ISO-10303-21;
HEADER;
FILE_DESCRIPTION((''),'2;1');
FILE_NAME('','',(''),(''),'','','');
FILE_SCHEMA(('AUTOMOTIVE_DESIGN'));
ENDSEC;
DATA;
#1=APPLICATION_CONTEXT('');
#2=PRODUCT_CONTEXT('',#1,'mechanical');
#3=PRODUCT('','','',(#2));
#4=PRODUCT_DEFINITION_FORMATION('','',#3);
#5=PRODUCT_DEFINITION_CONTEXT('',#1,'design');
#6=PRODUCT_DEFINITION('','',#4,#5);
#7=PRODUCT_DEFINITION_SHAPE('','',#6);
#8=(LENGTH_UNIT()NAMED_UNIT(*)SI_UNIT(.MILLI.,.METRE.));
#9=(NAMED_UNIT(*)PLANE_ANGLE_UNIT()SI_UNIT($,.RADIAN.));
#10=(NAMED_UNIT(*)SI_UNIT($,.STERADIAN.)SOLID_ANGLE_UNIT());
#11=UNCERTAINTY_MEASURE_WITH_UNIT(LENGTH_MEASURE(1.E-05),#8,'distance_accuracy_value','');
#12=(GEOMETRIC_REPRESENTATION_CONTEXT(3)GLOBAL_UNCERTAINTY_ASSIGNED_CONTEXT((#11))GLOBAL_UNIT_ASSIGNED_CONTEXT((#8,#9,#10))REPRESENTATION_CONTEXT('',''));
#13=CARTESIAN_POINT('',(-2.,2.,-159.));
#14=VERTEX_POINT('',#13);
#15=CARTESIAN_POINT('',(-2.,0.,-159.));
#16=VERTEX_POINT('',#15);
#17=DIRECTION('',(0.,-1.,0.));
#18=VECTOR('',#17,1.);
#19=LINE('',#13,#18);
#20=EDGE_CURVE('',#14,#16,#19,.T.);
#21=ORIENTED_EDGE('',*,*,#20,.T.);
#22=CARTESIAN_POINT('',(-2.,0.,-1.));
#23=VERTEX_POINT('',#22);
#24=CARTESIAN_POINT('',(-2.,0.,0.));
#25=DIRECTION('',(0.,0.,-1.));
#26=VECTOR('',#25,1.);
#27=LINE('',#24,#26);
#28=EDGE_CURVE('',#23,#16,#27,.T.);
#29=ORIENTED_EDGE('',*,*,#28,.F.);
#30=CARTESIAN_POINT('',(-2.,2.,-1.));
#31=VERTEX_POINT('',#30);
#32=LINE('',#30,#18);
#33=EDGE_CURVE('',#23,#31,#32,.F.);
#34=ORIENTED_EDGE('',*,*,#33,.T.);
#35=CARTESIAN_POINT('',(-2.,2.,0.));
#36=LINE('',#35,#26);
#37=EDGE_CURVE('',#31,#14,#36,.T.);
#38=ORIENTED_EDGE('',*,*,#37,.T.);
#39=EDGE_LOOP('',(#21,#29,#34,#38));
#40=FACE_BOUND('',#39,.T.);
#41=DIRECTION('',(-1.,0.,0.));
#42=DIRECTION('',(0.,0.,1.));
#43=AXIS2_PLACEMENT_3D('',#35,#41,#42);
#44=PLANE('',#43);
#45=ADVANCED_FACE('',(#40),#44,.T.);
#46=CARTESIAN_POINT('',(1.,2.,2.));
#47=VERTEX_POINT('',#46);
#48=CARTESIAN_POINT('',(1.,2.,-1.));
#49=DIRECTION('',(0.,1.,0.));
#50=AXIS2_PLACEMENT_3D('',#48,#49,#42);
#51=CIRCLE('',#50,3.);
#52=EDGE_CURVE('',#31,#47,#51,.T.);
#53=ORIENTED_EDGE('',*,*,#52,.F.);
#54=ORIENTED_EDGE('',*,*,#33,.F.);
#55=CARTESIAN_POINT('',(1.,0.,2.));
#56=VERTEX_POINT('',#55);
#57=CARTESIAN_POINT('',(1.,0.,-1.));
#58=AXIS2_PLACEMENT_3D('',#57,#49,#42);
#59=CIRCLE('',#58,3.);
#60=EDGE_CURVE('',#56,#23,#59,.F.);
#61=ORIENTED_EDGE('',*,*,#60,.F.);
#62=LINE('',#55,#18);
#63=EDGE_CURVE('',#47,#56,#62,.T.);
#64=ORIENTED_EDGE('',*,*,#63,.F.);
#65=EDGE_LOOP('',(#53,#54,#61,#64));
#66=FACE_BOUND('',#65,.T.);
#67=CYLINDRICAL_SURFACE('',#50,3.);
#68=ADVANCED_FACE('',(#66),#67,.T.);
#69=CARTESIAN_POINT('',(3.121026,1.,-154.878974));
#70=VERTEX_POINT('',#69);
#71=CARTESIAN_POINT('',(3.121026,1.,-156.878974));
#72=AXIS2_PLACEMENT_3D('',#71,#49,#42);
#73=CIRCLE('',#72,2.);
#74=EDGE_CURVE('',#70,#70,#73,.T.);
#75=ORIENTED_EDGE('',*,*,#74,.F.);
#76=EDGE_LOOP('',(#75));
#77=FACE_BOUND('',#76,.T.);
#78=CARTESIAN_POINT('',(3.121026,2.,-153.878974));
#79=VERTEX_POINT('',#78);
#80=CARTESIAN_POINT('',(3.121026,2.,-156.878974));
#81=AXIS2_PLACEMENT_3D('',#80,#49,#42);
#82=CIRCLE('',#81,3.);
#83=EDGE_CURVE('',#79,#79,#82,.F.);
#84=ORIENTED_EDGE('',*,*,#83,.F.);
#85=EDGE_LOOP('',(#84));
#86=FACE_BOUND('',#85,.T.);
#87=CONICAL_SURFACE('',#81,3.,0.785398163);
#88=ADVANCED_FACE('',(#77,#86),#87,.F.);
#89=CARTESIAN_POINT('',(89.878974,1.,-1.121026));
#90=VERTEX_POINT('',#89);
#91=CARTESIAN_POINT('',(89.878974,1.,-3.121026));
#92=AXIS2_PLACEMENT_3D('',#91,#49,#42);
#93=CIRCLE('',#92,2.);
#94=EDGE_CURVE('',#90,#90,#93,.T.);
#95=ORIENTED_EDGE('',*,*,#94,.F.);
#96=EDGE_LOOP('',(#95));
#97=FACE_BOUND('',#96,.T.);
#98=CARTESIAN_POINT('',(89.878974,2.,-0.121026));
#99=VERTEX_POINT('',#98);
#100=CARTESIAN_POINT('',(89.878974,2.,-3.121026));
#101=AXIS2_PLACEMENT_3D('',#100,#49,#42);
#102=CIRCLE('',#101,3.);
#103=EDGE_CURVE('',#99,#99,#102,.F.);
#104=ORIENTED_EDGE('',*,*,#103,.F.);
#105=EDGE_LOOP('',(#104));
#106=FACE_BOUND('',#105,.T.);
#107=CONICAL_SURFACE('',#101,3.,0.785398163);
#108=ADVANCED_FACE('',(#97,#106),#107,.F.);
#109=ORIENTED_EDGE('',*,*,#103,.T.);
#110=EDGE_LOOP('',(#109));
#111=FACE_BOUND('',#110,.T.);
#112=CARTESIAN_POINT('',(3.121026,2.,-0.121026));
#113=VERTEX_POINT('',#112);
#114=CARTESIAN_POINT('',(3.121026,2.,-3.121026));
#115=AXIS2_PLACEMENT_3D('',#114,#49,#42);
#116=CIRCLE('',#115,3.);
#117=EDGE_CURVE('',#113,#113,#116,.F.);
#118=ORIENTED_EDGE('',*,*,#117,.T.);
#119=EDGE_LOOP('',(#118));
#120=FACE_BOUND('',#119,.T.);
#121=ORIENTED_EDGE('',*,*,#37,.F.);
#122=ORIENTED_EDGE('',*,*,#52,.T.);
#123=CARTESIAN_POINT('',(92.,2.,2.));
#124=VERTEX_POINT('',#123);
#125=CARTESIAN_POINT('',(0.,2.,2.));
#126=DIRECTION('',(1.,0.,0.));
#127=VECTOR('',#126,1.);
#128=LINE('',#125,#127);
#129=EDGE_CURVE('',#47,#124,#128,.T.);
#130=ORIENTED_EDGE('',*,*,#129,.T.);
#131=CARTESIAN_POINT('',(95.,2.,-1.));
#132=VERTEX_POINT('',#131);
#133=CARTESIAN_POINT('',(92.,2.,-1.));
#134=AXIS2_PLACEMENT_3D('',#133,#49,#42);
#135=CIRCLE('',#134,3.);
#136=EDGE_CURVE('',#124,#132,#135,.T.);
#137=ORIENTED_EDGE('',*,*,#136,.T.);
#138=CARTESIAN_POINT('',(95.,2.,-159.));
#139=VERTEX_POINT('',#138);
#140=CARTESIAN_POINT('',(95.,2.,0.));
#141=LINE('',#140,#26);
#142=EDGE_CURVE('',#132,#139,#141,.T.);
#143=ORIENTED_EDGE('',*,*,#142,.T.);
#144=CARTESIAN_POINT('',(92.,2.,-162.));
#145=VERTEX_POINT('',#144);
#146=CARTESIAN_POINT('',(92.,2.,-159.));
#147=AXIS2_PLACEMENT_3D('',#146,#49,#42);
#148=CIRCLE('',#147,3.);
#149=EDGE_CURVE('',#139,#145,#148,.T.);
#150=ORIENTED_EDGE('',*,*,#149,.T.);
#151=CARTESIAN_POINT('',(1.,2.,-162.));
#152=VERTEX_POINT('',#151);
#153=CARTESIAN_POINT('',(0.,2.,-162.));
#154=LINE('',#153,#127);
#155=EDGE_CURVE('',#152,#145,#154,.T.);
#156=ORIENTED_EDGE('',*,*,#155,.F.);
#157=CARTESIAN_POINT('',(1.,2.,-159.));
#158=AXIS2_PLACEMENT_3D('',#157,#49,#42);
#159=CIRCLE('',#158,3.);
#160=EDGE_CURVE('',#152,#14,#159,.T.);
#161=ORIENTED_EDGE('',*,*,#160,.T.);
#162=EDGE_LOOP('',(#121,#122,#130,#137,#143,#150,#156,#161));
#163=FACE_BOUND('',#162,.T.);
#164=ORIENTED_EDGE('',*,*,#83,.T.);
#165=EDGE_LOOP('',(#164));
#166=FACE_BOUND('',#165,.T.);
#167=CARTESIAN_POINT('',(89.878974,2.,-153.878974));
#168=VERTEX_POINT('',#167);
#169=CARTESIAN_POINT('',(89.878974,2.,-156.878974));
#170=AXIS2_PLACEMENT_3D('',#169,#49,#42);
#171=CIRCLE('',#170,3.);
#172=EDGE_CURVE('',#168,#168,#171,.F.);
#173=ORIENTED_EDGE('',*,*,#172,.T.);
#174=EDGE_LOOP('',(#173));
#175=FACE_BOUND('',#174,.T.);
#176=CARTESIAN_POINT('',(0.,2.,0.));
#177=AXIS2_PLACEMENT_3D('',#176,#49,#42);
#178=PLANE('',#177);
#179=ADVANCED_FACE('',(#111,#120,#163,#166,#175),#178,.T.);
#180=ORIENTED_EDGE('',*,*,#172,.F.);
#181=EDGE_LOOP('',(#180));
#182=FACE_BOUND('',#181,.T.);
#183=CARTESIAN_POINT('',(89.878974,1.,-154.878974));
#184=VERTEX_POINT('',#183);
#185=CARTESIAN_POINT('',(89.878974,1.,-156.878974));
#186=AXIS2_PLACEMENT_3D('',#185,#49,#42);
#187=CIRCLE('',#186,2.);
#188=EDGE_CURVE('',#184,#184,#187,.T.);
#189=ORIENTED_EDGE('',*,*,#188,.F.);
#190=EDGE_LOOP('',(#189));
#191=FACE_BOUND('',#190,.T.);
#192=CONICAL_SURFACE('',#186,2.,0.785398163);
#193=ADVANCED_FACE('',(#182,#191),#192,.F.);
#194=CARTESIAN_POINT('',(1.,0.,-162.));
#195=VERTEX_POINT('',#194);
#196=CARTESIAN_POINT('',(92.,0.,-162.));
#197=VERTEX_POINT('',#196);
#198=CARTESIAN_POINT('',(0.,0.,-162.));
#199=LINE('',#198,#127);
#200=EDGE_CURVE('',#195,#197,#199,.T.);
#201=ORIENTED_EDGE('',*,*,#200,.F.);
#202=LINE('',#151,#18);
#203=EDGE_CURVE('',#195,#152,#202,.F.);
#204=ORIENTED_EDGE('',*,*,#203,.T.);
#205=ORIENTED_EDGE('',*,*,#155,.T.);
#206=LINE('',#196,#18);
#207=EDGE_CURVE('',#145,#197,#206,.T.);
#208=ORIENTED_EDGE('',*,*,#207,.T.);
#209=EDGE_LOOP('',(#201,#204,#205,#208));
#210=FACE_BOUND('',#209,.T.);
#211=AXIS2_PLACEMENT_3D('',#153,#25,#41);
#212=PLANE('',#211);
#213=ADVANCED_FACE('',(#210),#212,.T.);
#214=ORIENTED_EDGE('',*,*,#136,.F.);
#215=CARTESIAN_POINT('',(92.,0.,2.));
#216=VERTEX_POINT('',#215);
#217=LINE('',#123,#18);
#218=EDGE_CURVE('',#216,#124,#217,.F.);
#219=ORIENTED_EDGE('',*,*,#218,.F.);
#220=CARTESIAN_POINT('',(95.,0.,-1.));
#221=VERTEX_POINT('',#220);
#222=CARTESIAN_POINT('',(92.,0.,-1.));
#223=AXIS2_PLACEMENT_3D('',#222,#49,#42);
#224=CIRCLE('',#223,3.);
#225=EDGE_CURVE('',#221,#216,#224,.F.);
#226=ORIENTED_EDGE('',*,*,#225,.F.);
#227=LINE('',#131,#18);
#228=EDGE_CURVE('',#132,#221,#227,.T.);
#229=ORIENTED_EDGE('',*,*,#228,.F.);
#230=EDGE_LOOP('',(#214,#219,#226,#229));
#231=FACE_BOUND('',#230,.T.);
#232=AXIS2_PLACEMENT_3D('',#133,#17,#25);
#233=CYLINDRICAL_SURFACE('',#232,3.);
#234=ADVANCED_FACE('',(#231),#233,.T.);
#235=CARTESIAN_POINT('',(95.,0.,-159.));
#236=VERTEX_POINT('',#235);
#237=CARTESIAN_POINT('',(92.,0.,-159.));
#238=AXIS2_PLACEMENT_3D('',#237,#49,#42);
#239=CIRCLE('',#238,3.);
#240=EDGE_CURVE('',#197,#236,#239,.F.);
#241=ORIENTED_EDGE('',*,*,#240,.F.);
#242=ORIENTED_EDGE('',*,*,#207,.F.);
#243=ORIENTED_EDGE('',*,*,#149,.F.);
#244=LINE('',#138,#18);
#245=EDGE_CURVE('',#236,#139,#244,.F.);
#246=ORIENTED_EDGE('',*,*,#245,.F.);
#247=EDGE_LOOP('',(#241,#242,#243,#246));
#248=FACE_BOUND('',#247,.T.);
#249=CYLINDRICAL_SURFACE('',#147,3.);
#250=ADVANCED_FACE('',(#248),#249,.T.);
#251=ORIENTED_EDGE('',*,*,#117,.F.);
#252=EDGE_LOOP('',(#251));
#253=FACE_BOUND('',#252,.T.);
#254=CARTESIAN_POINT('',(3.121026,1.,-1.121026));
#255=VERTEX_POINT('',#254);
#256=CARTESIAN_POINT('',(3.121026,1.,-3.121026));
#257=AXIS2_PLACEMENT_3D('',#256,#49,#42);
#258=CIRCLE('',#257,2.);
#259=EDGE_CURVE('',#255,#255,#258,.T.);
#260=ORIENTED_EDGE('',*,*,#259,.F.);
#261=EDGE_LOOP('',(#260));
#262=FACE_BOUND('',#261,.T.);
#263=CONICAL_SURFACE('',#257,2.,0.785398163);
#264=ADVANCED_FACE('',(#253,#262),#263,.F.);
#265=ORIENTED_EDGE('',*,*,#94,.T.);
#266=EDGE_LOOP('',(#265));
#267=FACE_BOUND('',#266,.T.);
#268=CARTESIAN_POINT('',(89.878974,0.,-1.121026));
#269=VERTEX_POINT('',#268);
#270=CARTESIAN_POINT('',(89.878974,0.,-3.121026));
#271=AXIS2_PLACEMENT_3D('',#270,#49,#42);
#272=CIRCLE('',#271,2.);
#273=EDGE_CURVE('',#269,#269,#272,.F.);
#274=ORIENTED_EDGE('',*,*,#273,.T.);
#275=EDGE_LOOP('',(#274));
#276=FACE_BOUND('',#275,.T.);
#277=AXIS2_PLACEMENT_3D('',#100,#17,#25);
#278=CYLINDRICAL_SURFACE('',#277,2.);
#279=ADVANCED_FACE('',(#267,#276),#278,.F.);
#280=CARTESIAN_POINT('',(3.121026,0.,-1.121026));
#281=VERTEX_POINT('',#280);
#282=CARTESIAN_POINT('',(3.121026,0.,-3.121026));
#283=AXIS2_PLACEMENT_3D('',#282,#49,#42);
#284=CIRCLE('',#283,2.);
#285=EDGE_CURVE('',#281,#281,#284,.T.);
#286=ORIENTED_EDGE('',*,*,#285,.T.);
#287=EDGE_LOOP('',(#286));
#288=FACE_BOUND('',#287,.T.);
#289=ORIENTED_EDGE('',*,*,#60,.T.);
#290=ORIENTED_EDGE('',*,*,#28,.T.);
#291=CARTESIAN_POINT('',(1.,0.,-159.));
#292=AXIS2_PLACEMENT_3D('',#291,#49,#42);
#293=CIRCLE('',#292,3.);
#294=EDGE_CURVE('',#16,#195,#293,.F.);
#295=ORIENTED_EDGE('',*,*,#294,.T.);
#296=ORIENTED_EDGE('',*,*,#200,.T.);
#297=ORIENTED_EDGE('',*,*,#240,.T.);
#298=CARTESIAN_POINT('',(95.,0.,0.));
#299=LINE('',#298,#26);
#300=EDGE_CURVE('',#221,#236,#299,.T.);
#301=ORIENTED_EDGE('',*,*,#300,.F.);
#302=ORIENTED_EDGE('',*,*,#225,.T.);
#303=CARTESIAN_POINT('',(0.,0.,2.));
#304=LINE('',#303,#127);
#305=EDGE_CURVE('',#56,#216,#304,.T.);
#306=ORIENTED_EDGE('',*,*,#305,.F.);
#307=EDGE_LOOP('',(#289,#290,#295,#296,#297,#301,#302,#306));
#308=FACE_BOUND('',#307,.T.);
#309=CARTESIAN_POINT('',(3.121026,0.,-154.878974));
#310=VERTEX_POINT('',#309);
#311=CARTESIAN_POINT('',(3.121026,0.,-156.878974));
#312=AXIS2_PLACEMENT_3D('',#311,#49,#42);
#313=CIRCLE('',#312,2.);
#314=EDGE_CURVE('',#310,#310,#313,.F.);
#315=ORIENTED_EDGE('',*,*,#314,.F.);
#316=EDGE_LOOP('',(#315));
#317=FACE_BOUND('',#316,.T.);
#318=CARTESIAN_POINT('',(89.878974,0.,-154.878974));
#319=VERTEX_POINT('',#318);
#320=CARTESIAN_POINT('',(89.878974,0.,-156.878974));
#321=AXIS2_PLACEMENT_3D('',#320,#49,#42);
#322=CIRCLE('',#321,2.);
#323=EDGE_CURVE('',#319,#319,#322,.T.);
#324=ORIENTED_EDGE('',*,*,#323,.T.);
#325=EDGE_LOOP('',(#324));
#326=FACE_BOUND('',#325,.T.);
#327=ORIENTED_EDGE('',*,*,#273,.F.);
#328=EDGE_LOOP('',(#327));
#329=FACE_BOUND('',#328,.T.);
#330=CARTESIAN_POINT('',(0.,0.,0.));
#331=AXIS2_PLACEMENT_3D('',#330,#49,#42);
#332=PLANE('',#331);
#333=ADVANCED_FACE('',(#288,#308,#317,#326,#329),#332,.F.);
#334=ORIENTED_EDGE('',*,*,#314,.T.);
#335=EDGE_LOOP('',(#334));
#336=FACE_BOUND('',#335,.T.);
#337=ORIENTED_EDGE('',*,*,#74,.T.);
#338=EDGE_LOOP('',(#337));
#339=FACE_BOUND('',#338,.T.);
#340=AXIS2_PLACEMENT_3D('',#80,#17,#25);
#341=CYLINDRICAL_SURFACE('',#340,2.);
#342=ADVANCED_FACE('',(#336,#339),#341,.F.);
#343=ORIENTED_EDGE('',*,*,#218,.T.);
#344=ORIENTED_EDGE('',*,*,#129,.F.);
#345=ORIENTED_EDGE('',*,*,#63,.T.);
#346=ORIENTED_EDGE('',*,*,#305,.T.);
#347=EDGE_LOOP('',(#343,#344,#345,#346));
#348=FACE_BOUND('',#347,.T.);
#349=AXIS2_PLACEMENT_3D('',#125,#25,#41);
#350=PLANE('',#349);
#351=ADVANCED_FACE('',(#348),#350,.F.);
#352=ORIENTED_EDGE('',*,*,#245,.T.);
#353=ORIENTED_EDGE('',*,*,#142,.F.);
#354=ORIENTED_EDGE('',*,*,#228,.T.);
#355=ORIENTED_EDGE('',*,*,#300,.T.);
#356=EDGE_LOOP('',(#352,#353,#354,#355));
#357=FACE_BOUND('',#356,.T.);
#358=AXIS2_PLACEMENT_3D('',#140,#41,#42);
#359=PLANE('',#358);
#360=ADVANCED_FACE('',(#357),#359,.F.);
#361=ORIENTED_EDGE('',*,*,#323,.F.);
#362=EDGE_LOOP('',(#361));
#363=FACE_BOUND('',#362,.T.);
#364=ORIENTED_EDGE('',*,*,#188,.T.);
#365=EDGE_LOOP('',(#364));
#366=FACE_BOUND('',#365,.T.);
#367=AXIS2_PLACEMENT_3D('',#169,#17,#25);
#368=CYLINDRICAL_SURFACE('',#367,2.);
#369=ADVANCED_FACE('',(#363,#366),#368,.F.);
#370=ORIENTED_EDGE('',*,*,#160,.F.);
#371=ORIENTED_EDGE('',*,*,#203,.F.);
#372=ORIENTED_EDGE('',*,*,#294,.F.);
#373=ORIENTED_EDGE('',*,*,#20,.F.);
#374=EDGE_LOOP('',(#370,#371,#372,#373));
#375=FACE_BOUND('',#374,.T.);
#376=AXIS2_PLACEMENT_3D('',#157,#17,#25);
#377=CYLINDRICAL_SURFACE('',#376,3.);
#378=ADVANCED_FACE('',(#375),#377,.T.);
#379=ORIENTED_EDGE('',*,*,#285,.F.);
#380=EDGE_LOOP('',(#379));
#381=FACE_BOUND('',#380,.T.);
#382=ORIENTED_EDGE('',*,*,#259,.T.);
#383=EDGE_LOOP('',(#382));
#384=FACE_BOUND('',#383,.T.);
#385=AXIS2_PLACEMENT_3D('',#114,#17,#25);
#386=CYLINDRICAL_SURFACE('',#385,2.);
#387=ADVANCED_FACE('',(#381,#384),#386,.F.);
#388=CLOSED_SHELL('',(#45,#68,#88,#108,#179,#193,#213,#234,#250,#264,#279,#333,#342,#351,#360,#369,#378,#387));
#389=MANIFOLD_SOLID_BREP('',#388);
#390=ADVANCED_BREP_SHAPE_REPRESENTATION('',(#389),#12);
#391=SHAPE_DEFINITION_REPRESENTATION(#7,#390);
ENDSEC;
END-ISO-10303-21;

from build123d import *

# Parameters (mm, degrees)
SKETCH2_R           = 2
BOSS_EXTRUDE1_DEPTH = 2
FILLET13_R          = 3
CHAMFER1_SIZE       = 1


with BuildPart() as part:
    # Sketch2 → Boss-Extrude1 (new body)
    # profile 1 of 2: a face of its own
    with BuildSketch(Plane(origin=(0, 0, 0), x_dir=(1, 0, 0), z_dir=(0, 1, 0))):
        Polygon((-2, -2), (-2, 37.5), (-2, 137.5), (-2, 162), (95, 162), (95, -2), align=None)
        Polygon((0, 137.5), (0, 160), (93, 160), (93, 0), (0, 0), (0, 37.5), align=None, mode=Mode.SUBTRACT)
    # profile 2 of 2: a face of its own
    with BuildSketch(Plane(origin=(0, 0, 0), x_dir=(1, 0, 0), z_dir=(0, 1, 0))):
        Polygon((0, 160), (93, 160), (93, 0), (0, 0), (0, 37.5), (0, 137.5), align=None)
        with Locations(Location((89.87897445, 156.87897445, 0), (0, 0, 270))):
            Circle(SKETCH2_R, mode=Mode.SUBTRACT)
        with Locations(Location((89.87897445, 3.12102555, 0), (0, 0, 270))):
            Circle(SKETCH2_R, mode=Mode.SUBTRACT)
        with Locations(Location((3.12102555, 3.12102555, 0), (0, 0, 270))):
            Circle(SKETCH2_R, mode=Mode.SUBTRACT)
        with Locations(Location((3.12102555, 156.87897445, 0), (0, 0, 270))):
            Circle(SKETCH2_R, mode=Mode.SUBTRACT)
    extrude(amount=BOSS_EXTRUDE1_DEPTH)

    # Fillet13
    fillet13_edges = [part.edges().sort_by_distance(p)[0] for p in [
        (-2, 1, -162),
        (95, 1, -162),
        (95, 1, 2),
        (-2, 1, 2),
    ]]
    fillet(fillet13_edges, radius=FILLET13_R)

    # Chamfer1
    chamfer1_edges = [part.edges().sort_by_distance(p)[0] for p in [
        (89.87897445, 2, -158.87897445),
        (89.87897445, 2, -5.12102555),
        (3.12102555, 2, -5.12102555),
        (3.12102555, 2, -158.87897445),
    ]]
    chamfer(chamfer1_edges, length=CHAMFER1_SIZE)


solid = part.part
